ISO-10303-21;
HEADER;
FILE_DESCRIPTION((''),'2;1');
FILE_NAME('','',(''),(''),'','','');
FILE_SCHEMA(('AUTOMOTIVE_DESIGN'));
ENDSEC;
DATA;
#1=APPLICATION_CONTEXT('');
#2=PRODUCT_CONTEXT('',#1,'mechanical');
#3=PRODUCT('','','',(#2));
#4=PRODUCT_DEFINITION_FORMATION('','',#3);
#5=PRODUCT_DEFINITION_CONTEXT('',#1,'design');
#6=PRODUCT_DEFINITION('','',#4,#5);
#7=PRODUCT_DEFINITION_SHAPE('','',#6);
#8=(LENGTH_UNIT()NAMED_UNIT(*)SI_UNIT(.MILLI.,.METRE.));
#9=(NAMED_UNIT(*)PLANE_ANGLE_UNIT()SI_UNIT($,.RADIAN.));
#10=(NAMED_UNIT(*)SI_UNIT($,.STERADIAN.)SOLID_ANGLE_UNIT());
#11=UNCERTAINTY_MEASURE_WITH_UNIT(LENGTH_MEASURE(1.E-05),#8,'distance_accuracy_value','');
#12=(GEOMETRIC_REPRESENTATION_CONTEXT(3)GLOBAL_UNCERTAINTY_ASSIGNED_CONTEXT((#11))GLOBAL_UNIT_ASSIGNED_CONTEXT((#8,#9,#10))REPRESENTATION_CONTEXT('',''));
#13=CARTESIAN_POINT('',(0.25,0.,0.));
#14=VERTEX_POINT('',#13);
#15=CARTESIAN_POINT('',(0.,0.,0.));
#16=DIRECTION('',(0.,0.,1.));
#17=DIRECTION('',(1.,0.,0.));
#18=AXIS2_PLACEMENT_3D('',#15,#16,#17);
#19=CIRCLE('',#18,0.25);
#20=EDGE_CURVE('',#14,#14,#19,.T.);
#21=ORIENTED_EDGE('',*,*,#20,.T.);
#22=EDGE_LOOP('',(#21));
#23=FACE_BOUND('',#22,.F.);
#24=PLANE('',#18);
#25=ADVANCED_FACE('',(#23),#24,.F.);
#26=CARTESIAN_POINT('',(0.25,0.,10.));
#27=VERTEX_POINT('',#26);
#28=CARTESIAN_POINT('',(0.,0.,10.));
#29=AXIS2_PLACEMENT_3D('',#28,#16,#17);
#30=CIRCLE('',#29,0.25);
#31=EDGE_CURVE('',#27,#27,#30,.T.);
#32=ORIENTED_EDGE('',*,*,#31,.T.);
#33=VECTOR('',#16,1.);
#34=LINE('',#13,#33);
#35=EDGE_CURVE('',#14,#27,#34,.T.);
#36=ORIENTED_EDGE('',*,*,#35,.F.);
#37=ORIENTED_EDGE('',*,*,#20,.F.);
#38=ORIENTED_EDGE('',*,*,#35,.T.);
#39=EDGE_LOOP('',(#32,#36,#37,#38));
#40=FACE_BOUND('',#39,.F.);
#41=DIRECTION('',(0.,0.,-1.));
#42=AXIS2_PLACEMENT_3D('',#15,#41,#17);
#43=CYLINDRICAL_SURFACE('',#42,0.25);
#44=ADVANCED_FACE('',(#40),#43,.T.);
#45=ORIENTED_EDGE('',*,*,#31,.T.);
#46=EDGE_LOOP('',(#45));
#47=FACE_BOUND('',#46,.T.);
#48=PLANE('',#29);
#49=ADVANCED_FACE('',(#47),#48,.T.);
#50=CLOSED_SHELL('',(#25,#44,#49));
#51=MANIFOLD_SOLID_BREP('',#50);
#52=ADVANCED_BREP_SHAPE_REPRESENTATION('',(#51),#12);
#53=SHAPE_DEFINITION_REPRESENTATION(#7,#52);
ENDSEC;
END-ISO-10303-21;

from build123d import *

# Parameters (mm, degrees)
SKETCH_1_R      = 0.25
EXTRUDE_1_DEPTH = 10


with BuildPart() as part:
    # ｽｹｯﾁ1 → ﾎﾞｽ - 押し出し1 (new body)
    with BuildSketch(Plane.XY):
        Circle(SKETCH_1_R)
    extrude(amount=EXTRUDE_1_DEPTH)


solid = part.part
